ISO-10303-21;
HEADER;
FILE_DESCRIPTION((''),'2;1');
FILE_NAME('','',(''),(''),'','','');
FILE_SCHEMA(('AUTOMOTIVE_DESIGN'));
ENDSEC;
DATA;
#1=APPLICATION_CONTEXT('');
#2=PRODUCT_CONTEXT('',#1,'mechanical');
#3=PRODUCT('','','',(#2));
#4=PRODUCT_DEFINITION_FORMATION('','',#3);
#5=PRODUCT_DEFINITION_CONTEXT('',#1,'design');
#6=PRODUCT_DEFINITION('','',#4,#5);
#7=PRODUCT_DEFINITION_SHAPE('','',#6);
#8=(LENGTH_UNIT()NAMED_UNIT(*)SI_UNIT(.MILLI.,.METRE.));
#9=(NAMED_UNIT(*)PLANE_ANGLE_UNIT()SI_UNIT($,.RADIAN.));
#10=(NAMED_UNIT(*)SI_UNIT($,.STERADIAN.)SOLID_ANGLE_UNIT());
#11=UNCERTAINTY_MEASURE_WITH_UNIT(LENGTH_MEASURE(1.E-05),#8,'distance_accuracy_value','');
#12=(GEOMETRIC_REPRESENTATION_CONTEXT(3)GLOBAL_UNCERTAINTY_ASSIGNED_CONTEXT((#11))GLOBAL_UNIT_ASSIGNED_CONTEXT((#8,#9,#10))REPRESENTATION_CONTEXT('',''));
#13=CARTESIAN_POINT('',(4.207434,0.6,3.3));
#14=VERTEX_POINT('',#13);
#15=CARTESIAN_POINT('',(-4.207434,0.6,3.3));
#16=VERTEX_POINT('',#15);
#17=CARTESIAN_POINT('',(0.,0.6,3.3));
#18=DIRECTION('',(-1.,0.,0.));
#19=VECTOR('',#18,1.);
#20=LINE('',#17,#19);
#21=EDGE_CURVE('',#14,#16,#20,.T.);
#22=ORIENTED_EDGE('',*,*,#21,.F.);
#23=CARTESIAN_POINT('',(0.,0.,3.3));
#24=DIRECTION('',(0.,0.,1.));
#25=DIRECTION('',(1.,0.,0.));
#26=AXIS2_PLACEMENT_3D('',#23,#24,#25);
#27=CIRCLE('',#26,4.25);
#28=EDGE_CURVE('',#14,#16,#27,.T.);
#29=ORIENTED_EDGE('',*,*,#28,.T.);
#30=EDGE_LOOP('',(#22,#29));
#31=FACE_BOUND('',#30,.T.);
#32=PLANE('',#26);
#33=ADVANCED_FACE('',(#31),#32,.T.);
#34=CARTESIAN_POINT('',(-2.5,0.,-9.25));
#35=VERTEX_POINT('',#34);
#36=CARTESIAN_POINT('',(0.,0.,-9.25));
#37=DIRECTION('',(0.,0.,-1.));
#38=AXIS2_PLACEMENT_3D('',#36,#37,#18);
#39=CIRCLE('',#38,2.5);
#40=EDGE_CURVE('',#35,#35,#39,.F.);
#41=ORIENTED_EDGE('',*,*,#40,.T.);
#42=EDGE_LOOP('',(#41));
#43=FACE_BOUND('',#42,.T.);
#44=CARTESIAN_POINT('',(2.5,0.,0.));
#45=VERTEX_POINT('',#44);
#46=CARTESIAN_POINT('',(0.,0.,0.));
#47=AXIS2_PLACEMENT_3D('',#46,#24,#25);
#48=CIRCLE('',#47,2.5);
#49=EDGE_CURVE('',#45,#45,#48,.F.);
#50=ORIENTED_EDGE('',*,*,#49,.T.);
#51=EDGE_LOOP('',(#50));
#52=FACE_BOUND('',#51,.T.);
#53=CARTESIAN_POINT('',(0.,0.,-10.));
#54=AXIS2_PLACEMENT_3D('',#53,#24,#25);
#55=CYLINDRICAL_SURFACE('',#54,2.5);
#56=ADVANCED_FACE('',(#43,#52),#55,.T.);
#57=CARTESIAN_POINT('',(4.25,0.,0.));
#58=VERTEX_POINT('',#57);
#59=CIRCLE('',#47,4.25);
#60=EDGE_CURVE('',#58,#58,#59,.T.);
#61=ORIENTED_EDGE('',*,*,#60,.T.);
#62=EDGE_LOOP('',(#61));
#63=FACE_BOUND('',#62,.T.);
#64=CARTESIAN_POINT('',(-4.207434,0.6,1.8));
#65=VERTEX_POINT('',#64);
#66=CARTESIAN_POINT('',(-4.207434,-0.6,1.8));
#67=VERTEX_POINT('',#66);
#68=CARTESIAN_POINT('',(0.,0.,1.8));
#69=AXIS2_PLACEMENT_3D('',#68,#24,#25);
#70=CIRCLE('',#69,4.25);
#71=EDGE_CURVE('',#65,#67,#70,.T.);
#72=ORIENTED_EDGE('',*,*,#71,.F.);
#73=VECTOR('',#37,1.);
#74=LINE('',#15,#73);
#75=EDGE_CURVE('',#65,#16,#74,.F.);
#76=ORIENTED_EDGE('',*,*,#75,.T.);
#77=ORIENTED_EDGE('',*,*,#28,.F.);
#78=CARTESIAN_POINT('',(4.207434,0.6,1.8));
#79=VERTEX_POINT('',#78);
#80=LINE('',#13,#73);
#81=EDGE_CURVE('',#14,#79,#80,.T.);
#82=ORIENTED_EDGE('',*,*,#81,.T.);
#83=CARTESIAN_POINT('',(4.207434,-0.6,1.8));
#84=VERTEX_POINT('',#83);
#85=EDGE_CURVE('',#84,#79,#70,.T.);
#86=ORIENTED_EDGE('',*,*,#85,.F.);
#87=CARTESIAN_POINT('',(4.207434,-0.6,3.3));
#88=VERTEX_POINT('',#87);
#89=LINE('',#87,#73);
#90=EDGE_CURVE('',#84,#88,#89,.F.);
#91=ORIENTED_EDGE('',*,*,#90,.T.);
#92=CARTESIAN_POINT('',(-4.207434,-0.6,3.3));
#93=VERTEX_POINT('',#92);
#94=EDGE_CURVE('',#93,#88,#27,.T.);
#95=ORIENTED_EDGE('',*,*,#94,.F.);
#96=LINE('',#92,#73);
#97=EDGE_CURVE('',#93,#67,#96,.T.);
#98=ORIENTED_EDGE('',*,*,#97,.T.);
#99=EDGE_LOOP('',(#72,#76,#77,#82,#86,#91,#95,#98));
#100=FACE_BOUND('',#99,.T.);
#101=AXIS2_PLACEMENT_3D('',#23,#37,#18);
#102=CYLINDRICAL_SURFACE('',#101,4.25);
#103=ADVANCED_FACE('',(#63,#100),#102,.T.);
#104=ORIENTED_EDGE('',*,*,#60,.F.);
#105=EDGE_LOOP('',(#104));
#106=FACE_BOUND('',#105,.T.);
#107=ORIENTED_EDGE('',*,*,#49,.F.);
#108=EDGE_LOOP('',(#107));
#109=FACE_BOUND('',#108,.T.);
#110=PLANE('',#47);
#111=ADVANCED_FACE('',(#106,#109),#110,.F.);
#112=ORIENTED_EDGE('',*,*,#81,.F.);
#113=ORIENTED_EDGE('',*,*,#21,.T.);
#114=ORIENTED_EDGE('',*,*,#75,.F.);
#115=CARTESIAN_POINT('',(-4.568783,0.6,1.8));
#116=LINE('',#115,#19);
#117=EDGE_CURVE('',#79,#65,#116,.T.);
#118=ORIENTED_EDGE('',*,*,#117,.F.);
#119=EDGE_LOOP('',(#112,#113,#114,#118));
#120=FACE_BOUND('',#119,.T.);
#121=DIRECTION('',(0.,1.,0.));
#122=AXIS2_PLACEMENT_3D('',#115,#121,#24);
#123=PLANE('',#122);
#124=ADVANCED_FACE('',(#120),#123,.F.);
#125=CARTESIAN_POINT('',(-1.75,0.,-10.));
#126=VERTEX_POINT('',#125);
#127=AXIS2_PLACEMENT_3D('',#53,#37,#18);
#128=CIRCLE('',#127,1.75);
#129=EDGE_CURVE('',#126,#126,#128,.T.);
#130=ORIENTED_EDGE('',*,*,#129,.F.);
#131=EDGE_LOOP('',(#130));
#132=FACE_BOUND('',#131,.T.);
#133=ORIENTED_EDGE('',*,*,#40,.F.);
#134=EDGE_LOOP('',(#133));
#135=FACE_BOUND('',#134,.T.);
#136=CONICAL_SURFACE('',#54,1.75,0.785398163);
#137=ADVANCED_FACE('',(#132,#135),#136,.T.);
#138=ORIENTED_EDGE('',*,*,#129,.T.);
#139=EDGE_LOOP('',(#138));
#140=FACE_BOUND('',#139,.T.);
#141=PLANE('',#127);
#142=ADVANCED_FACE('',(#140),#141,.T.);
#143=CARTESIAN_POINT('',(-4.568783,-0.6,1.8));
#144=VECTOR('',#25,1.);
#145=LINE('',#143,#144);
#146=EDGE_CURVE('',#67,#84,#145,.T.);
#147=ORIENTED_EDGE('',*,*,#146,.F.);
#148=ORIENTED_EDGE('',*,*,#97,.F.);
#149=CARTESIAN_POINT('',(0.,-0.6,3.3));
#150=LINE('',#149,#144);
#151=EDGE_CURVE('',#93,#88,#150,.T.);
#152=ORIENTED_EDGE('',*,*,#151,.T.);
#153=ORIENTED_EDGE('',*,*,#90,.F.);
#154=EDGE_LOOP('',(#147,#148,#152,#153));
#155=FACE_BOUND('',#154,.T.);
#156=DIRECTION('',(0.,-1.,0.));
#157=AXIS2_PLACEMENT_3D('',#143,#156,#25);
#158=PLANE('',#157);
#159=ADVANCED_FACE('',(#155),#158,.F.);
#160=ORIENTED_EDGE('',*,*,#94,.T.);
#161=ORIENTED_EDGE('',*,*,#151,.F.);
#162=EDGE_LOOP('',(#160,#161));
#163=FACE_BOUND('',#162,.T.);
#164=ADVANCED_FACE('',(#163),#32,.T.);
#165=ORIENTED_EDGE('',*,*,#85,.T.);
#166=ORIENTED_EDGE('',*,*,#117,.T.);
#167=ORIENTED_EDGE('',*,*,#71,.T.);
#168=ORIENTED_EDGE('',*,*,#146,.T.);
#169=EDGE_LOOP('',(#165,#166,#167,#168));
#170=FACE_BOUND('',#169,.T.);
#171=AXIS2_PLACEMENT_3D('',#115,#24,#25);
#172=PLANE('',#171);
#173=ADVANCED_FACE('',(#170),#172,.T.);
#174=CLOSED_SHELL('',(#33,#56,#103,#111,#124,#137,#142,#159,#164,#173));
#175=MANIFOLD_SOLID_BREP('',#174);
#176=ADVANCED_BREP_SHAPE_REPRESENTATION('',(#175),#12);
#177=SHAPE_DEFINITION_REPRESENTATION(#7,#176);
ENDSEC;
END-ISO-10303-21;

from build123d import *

# Parameters (mm, degrees)
SKETCH_12_R         = 4.25
EXTRUDE_3_DEPTH     = 3.3
SKETCH_13_R         = 2.5
EXTRUDE_4_DEPTH     = 10
SKETCH_20_W         = 9.006613757
SKETCH_20_H         = 1.2
CUT_EXTRUDE_8_DEPTH = 1.5
CHAMFER_1_SIZE      = 0.75


with BuildPart() as part:
    # Эскиз12 → Вытянуть3 (new body)
    with BuildSketch(Plane.XY):
        Circle(SKETCH_12_R)
    extrude(amount=EXTRUDE_3_DEPTH)

    # Эскиз13 → Вытянуть4 (add)
    with BuildSketch(Plane(origin=(0, 0, 0), x_dir=(-1, 0, 0), z_dir=(0, 0, -1))):
        with Locations(Location((0, 0, 0), (0, 0, 180))):
            Circle(SKETCH_13_R)
    extrude(amount=EXTRUDE_4_DEPTH)

    # Эскиз20 → Вырез-Вытянуть8 (cut)
    with BuildSketch(Plane.XY.offset(3.3)):
        with Locations((-0.065476191, 0)):
            Rectangle(SKETCH_20_W, SKETCH_20_H)
    extrude(amount=-CUT_EXTRUDE_8_DEPTH, mode=Mode.SUBTRACT)

    # Фаска1
    chamfer_1_edges = [part.edges().sort_by_distance(p)[0] for p in [
        (-2.5, 0, -10),
    ]]
    chamfer(chamfer_1_edges, length=CHAMFER_1_SIZE)


solid = part.part
